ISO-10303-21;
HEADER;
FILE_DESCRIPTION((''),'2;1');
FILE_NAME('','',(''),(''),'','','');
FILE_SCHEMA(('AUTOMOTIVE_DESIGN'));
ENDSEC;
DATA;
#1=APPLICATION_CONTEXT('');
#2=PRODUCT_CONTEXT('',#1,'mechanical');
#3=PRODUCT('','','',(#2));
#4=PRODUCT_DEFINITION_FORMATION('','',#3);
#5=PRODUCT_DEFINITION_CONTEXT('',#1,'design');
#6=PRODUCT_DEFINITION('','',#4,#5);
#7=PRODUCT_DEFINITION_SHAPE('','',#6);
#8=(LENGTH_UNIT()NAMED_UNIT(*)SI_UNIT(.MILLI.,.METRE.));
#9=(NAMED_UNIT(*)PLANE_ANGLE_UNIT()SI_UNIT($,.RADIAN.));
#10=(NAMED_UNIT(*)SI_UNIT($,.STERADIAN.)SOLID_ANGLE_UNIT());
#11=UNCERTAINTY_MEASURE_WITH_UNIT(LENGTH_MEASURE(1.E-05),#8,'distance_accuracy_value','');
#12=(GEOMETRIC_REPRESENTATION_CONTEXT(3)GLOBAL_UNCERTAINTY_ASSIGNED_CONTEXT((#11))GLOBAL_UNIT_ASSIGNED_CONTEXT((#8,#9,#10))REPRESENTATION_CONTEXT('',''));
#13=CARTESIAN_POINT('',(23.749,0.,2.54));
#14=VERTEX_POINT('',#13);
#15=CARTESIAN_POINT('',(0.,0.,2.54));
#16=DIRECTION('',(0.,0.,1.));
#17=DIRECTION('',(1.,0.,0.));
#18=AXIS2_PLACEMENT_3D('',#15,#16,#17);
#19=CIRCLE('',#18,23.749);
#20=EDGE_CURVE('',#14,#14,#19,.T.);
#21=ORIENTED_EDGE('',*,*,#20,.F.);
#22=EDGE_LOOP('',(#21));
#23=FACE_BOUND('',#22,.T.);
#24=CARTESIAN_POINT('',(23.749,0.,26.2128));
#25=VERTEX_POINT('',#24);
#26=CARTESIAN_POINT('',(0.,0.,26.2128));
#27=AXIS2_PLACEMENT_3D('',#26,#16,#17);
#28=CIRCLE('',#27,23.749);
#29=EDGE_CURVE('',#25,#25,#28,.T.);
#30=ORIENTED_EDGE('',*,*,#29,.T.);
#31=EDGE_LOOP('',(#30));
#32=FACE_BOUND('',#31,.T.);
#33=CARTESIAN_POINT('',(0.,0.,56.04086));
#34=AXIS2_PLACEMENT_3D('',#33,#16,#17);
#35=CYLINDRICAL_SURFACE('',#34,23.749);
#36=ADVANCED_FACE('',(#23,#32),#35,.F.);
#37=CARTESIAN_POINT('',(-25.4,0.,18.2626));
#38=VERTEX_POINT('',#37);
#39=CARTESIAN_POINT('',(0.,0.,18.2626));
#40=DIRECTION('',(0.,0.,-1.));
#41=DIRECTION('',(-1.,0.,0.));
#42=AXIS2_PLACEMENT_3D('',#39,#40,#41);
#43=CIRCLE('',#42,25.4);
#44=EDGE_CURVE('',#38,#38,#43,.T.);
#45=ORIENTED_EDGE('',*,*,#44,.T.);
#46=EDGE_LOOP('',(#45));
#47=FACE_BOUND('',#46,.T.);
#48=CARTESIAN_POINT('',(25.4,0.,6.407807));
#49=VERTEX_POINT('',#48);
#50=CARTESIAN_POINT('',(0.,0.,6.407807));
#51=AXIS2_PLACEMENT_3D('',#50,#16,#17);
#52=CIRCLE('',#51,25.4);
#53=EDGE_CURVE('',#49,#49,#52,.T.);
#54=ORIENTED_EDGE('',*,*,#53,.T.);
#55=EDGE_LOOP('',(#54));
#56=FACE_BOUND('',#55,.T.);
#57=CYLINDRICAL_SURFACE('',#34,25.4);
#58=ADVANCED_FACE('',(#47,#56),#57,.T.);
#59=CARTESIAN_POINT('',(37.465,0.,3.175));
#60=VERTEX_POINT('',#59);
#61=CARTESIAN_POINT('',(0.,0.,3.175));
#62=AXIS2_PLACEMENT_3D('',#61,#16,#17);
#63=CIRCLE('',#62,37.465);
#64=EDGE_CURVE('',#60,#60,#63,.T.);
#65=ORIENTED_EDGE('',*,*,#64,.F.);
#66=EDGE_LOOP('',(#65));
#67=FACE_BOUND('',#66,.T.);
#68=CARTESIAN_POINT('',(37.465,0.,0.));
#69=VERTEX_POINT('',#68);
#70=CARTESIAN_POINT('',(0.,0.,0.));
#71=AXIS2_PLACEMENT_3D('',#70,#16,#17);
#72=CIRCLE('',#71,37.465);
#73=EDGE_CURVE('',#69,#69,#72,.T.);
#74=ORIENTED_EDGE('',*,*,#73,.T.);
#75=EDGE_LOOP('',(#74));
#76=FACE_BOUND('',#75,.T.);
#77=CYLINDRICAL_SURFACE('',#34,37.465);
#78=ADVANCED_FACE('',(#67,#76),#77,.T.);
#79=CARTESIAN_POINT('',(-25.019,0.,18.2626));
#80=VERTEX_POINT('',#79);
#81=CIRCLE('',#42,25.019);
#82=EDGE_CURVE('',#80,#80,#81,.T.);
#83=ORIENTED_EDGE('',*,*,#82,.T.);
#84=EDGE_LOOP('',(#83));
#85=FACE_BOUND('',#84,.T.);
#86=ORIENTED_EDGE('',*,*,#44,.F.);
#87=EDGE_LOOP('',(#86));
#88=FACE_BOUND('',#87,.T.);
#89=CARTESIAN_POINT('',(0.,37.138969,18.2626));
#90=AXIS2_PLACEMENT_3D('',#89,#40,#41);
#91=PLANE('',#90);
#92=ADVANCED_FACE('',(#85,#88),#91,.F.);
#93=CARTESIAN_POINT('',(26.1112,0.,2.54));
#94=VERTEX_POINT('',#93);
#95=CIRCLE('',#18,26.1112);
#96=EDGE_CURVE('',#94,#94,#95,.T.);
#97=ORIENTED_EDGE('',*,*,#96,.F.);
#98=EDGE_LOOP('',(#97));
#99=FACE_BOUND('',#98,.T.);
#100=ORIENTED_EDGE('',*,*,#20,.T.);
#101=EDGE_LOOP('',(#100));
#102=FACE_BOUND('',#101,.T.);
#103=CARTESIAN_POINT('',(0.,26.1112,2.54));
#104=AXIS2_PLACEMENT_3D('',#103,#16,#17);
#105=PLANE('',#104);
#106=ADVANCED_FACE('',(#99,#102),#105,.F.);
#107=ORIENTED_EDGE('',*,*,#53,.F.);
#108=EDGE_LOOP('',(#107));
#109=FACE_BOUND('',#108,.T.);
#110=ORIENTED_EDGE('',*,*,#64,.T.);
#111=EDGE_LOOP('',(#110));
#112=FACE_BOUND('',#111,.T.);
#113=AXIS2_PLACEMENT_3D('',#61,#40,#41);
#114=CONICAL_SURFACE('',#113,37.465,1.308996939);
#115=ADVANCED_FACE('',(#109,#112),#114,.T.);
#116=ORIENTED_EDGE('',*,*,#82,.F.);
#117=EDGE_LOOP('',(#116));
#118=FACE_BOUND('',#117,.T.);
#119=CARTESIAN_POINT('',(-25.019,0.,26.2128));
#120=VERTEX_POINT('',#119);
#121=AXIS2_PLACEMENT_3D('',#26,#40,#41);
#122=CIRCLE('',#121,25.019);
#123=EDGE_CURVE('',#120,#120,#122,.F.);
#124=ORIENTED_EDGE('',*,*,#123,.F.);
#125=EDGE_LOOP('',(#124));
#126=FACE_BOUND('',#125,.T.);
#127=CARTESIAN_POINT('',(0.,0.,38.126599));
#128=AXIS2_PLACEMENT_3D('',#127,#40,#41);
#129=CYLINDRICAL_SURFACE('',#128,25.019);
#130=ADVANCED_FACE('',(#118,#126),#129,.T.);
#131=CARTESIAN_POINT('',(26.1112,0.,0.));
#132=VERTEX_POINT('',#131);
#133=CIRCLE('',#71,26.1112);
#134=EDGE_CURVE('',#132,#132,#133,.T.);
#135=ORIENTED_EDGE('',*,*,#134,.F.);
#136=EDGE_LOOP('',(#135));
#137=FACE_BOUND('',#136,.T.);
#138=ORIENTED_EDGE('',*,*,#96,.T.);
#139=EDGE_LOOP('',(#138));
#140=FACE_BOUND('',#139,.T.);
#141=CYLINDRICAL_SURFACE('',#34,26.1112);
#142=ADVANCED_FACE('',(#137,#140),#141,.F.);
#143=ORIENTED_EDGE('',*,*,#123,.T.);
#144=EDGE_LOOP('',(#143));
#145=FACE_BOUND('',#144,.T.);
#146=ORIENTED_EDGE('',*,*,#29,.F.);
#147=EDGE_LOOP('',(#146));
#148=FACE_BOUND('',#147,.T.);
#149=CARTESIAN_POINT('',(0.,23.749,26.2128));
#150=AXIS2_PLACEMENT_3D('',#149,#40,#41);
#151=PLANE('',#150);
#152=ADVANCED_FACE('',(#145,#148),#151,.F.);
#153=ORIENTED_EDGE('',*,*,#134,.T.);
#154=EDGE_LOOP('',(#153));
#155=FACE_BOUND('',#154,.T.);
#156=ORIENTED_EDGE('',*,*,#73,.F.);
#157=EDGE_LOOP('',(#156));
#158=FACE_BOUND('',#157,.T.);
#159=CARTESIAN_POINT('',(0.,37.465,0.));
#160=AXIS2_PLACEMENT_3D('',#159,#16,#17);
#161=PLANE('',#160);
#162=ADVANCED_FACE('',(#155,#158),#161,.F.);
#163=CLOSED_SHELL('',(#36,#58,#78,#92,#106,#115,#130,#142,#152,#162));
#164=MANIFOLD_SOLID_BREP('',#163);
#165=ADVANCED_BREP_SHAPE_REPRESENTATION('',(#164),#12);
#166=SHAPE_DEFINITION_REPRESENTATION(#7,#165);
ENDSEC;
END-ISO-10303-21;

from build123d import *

# Parameters (mm, degrees)
SKETCH2_W = 21.629907471
SKETCH2_H = 12.119969406


with BuildPart() as part:
    # Sketch1 → Revolve1 (revolve)
    with BuildSketch(Plane(origin=(0, 0, 0), x_dir=(0, 0, -1), z_dir=(1, 0, 0)), mode=Mode.PRIVATE) as revolve1_sk:
        Polygon((0, 26.1112), (-2.54, 26.1112), (-2.54, 23.749), (-26.2128, 23.749), (-26.2128, 25.4), (-6.407807007, 25.4), (-3.175, 37.465), (0, 37.465), align=None)
    revolve(revolve1_sk.sketch.rotate(Axis((0, 0, 56.040860285), (0, 0, -1)), 90), axis=Axis((0, 0, 56.040860285), (0, 0, -1)))

    # Sketch2 → Cut-Revolve1 (revolve, cut)
    with BuildSketch(Plane(origin=(0, 0, 0), x_dir=(0, 0, -1), z_dir=(1, 0, 0)), mode=Mode.PRIVATE) as cut_revolve1_sk:
        with Locations((-29.077553736, 31.078984703)):
            Rectangle(SKETCH2_W, SKETCH2_H)
    revolve(cut_revolve1_sk.sketch.rotate(Axis((0, 0, 38.126599349), (0, 0, 1)), 270), axis=Axis((0, 0, 38.126599349), (0, 0, 1)), mode=Mode.SUBTRACT)


solid = part.part
